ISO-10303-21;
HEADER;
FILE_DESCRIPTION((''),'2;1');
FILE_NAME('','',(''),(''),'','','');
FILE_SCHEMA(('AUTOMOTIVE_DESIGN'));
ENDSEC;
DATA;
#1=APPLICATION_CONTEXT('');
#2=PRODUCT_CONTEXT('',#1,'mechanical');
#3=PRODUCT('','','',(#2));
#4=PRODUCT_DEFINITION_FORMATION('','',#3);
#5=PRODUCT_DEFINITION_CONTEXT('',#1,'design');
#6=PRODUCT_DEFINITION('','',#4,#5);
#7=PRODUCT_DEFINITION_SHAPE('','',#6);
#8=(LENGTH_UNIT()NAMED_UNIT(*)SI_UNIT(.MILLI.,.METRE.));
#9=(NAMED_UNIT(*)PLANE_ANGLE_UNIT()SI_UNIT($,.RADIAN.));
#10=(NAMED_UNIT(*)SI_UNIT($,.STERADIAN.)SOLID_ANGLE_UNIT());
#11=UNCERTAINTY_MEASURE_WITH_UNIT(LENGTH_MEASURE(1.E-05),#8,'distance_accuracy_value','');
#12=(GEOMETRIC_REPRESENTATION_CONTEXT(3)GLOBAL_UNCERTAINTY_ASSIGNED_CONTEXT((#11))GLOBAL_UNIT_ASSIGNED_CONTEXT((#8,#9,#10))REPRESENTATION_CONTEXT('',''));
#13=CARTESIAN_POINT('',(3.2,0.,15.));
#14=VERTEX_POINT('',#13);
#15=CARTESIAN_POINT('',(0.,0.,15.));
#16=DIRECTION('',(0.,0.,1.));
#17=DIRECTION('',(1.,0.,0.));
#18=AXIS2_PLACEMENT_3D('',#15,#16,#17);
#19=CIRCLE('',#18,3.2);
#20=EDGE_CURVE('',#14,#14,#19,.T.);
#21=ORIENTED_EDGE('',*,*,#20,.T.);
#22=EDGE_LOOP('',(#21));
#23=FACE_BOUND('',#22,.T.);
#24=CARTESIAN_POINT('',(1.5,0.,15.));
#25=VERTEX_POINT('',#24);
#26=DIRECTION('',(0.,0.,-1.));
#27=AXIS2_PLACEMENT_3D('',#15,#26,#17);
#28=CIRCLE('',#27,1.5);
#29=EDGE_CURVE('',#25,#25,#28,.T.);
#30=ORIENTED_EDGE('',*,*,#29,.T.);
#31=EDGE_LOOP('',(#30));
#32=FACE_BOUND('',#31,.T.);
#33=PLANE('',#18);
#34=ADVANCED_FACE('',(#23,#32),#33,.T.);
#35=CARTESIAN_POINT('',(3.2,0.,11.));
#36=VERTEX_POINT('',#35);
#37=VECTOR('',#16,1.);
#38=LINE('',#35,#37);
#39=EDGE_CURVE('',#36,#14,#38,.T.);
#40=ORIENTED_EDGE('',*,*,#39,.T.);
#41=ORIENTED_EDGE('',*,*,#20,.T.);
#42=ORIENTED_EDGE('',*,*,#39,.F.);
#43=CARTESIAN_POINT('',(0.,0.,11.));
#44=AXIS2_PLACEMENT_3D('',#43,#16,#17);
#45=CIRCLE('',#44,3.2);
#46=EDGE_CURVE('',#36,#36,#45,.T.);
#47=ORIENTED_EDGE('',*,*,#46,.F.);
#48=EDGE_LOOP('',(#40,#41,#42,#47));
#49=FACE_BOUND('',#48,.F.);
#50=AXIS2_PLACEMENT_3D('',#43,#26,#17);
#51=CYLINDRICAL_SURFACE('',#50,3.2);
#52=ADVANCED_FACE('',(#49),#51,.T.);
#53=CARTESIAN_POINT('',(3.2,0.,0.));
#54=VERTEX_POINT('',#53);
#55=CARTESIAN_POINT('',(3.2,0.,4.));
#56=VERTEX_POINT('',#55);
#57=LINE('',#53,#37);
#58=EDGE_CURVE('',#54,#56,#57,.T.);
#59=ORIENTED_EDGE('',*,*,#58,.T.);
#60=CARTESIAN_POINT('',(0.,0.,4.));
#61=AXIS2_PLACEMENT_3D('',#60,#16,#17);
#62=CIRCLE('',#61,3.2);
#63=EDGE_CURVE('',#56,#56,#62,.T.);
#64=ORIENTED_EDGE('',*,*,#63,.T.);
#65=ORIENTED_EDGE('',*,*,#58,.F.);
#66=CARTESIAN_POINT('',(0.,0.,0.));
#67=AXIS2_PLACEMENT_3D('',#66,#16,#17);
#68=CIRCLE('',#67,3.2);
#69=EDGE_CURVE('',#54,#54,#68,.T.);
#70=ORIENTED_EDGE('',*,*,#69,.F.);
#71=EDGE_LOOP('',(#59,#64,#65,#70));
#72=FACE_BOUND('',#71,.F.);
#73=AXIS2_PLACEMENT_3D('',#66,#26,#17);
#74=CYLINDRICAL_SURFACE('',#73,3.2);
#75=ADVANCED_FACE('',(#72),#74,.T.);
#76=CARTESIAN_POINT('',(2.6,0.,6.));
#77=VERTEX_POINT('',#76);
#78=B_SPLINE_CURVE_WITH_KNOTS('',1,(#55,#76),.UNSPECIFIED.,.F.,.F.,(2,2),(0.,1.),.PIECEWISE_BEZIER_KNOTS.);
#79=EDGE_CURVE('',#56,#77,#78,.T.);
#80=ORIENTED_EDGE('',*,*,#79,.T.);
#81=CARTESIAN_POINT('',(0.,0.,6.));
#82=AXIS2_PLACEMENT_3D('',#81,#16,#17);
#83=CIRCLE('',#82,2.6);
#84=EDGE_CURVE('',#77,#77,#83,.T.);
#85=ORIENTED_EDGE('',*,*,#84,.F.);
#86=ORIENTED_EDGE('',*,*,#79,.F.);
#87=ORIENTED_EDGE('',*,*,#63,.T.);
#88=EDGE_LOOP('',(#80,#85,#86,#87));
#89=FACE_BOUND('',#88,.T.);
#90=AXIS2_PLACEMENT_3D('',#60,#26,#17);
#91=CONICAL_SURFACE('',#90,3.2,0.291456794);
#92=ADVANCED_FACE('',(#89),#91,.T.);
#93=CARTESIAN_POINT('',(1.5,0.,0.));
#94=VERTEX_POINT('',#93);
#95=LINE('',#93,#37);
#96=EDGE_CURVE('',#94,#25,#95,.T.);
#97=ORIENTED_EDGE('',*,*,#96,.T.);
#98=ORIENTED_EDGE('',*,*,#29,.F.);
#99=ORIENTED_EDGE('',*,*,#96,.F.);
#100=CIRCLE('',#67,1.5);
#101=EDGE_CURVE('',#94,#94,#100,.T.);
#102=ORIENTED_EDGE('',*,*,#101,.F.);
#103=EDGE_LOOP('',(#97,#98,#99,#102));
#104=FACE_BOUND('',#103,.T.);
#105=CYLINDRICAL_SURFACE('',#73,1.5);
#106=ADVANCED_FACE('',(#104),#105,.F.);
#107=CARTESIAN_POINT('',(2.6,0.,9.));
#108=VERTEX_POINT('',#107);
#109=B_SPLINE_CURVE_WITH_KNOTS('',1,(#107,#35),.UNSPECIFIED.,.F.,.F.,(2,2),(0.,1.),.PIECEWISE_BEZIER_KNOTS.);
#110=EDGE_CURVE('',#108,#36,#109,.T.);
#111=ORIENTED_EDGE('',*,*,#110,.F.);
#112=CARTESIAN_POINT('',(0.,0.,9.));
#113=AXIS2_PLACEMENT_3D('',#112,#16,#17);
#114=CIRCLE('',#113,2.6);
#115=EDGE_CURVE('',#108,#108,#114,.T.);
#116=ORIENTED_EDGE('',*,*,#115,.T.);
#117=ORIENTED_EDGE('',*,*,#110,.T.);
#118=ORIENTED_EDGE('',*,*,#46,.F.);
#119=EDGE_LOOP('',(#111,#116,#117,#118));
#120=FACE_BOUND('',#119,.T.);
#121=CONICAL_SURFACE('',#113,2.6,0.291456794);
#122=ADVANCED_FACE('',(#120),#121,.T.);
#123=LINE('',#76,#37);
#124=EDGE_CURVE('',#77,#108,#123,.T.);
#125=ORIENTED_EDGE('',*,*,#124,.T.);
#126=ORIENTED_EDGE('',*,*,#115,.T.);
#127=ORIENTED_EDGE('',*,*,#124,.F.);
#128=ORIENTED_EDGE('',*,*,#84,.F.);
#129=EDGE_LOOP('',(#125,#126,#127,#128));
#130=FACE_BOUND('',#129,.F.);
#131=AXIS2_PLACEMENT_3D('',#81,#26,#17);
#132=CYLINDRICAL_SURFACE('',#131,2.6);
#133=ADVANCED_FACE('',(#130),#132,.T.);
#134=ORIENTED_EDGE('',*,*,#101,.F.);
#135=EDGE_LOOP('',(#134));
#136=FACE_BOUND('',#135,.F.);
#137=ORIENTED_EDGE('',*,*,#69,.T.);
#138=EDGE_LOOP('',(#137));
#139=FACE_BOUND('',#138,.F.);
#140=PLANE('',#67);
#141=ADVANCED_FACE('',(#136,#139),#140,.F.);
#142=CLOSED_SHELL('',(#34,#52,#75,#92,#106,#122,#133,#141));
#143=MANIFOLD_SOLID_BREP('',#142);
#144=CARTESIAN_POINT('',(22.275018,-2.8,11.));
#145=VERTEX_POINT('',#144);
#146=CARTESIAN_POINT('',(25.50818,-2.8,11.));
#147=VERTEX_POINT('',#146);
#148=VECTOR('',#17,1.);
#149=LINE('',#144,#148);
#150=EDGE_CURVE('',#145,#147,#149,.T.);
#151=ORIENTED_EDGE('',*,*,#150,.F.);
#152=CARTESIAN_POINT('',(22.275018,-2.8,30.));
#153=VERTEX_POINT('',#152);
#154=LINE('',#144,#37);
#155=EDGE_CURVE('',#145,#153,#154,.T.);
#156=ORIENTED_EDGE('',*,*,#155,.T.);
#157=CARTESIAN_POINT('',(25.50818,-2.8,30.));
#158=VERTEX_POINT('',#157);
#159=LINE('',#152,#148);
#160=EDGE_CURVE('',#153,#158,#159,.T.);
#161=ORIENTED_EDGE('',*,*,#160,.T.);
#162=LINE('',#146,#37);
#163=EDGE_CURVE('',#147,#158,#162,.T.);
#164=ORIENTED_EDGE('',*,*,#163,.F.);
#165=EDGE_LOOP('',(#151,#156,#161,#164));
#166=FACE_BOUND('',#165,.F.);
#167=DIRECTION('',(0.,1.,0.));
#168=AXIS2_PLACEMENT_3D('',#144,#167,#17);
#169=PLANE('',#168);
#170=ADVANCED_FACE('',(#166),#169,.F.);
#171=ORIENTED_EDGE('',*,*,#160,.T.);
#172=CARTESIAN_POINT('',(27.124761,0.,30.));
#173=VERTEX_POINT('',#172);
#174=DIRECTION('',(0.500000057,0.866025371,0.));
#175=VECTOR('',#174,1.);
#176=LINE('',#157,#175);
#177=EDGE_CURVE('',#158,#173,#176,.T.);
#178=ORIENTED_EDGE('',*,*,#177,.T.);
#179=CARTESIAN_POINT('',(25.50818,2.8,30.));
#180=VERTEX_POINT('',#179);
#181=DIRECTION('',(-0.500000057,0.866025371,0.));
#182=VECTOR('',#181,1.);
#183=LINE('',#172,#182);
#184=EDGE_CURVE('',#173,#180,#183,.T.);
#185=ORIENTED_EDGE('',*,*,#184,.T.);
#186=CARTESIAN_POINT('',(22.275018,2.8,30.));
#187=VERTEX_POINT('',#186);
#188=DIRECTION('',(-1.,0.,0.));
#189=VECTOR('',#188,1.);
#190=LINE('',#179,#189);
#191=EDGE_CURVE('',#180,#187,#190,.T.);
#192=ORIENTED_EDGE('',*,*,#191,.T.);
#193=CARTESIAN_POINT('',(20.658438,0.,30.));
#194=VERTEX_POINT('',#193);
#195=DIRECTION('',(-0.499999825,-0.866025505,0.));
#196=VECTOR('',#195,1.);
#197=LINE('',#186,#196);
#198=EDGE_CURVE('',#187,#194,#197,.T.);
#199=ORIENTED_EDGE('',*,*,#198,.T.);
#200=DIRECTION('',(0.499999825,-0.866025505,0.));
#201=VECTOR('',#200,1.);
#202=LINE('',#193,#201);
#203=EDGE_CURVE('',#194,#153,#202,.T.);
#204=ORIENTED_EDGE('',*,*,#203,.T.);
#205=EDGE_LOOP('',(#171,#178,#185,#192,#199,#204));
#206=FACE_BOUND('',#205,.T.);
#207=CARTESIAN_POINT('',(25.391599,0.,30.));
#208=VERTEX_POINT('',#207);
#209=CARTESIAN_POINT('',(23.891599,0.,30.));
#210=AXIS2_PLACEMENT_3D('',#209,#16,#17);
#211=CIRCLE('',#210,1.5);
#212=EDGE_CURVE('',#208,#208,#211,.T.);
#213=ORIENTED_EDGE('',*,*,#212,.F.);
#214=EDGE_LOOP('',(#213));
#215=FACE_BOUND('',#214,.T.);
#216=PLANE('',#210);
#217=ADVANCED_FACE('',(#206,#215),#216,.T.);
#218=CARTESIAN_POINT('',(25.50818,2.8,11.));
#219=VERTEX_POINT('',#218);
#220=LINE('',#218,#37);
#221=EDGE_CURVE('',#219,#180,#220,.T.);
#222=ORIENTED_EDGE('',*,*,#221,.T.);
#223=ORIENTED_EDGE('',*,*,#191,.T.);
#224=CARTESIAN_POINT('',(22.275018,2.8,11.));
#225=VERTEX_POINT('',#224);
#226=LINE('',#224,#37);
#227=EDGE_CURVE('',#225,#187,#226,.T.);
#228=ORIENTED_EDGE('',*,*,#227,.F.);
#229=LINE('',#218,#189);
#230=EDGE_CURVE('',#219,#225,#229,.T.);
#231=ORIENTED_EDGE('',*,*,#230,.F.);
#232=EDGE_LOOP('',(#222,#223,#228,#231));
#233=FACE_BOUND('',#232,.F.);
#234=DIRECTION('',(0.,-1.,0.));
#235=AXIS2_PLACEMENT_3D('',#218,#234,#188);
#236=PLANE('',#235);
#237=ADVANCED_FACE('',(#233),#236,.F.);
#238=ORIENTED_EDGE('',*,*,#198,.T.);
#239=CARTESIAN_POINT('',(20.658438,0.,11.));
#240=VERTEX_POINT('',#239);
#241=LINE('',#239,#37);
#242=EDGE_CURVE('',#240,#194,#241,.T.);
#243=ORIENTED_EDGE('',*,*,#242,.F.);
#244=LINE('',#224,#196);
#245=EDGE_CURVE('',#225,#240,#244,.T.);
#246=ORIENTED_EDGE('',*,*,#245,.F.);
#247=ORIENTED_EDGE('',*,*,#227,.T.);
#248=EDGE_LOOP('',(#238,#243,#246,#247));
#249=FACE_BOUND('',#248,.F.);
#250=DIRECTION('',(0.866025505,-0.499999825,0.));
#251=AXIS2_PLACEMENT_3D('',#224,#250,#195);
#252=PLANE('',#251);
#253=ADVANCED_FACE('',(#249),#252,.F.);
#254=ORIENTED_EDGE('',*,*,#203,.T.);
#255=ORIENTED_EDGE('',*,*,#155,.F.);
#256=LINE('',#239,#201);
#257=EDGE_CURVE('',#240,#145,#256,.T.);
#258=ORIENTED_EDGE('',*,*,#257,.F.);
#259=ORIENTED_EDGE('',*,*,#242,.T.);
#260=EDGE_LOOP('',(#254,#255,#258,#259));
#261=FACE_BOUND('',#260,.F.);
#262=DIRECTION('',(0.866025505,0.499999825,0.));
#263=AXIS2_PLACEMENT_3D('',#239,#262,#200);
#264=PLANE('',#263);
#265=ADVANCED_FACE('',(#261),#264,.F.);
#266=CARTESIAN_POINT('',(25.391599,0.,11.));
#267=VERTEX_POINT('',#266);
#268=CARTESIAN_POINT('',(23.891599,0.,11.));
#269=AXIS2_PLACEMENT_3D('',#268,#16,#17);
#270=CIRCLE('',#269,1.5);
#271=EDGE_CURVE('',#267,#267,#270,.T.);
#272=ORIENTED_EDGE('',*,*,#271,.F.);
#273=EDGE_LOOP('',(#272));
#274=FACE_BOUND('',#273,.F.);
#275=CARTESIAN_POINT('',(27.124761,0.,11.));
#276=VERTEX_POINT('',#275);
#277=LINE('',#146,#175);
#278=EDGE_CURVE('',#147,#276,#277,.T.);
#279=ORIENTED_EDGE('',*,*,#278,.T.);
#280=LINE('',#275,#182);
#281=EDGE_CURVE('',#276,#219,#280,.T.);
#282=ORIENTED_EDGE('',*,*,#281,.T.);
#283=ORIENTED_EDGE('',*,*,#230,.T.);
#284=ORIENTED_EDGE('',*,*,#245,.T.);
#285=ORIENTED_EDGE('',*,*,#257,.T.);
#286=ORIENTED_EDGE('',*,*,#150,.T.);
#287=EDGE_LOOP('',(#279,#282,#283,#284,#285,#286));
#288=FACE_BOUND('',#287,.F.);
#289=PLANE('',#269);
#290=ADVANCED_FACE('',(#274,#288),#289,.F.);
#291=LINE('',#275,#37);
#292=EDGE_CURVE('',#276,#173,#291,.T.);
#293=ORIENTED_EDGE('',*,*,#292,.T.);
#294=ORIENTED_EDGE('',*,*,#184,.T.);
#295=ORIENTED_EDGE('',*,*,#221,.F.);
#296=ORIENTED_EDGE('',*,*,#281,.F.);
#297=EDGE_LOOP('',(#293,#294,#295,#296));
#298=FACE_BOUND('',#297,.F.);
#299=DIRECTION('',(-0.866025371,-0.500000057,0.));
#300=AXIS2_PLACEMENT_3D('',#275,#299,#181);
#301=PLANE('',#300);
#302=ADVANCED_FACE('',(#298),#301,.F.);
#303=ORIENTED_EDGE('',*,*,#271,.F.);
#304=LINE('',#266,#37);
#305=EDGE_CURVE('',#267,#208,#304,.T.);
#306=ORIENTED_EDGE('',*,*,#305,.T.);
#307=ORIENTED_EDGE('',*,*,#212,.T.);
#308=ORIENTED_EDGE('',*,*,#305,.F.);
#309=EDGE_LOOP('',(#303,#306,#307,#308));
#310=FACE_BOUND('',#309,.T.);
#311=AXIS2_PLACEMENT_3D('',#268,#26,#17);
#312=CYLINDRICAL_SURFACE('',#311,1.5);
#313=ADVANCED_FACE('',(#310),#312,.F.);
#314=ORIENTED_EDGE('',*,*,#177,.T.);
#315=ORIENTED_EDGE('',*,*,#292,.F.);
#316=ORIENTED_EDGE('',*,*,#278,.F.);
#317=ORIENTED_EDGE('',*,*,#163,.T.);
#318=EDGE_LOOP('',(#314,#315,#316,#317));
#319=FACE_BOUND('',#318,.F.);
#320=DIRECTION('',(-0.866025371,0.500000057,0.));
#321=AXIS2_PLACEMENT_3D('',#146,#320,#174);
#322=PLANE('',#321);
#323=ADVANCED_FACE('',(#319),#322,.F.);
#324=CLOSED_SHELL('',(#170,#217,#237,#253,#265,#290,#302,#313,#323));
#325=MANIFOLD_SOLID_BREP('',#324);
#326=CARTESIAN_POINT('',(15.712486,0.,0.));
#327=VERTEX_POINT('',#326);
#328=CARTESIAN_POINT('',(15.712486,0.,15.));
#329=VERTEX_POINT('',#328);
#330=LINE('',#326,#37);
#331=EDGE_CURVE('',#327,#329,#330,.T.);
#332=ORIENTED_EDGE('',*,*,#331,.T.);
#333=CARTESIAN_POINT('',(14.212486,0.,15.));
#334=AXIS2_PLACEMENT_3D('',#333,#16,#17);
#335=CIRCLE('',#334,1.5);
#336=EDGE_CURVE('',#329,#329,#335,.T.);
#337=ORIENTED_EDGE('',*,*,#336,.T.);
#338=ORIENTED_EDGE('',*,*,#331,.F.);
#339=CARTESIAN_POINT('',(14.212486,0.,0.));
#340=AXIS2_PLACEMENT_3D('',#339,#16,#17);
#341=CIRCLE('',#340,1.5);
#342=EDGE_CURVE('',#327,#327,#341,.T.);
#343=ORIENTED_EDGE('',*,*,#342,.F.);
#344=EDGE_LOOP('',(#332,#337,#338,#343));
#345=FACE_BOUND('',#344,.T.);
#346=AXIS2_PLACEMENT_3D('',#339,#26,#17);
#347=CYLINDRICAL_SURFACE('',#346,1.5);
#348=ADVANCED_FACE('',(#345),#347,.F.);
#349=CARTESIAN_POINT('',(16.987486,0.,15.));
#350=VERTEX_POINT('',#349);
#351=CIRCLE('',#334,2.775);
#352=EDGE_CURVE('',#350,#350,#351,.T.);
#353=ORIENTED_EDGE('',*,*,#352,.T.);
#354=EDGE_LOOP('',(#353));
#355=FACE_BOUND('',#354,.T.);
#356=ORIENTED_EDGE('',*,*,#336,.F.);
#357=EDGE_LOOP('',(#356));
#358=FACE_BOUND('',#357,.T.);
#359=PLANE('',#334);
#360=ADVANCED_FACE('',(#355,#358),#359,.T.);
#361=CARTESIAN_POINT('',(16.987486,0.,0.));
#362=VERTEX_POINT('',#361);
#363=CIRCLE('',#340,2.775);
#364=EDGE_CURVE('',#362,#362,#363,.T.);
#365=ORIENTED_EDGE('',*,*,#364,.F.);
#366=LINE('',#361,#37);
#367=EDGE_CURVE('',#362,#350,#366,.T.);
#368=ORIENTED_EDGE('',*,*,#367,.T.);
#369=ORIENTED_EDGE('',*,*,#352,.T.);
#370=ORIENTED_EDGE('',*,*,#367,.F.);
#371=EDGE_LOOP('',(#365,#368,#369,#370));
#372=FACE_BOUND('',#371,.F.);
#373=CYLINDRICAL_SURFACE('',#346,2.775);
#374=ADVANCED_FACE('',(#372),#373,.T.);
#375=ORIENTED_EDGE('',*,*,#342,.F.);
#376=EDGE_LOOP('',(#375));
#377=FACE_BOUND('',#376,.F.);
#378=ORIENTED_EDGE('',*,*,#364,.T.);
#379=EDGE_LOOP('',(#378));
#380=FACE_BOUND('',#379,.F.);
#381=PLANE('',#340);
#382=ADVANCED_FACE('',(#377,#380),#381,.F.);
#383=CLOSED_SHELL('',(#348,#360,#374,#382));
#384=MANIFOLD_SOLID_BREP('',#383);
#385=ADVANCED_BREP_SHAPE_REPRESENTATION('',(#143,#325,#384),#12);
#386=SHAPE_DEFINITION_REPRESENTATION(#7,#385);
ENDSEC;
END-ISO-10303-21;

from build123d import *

# Parameters (mm, degrees)
F0_R      = 3.2
F1_DEPTH  = 4
F1_FACE_R = 3.2
F3_R      = 2.6
F9_DEPTH  = 9
F6_R      = 2.6
F8_R      = 3.2
F11_DEPTH = 4
F12_R     = 1.5
F13_DEPTH = 25
F14_R     = 2.775
F14_R_2   = 1.5
F15_DEPTH = 15
F16_R     = 1.5
F17_DEPTH = 19


with BuildPart() as f1:
    # F0 (on Top) → F1 (new body)
    with BuildSketch(Plane.XY):
        Circle(F0_R)
    extrude(amount=F1_DEPTH)

    # F1_face (on face) → F4 section 0
    with BuildSketch(Plane.XY.offset(4)):
        Circle(F1_FACE_R)
    # F3 (on offset) → F4 section 1
    with BuildSketch(Plane.XY.offset(6)):
        Circle(F3_R)
    loft()

    # F3 (on offset) → F9 (join)
    with BuildSketch(Plane.XY.offset(6)):
        Circle(F3_R)
    extrude(amount=F9_DEPTH)

    # F6 (on offset) → F10 section 0
    with BuildSketch(Plane.XY.offset(9)):
        Circle(F6_R)
    # F8 (on offset) → F10 section 1
    with BuildSketch(Plane.XY.offset(11)):
        Circle(F8_R)
    loft()

    # F8 (on offset) → F11 (join)
    with BuildSketch(Plane.XY.offset(11)):
        Circle(F8_R)
    extrude(amount=F11_DEPTH)

    # F12 (on Top) → F13 (cut)
    with BuildSketch(Plane.XY):
        Circle(F12_R)
    extrude(amount=F13_DEPTH, mode=Mode.SUBTRACT)


with BuildPart() as f15:
    # F14 (on Top) → F15 (new body)
    with BuildSketch(Plane.XY):
        with Locations((14.212486, 0)):
            Circle(F14_R)
        with Locations((14.212486, 0)):
            Circle(F14_R_2, mode=Mode.SUBTRACT)
    extrude(amount=F15_DEPTH)


with BuildPart() as f17:
    # F16 (on offset) → F17 (new body)
    with BuildSketch(Plane.XY.offset(11)):
        Polygon((25.50818, 2.8), (22.275018, 2.8), (20.658438, 0), (22.275018, -2.8), (25.50818, -2.8), (27.124761, 0), align=None)
        with Locations((23.891599, 0)):
            Circle(F16_R, mode=Mode.SUBTRACT)
    extrude(amount=F17_DEPTH)


solid = Compound([f1.part, f15.part, f17.part])
